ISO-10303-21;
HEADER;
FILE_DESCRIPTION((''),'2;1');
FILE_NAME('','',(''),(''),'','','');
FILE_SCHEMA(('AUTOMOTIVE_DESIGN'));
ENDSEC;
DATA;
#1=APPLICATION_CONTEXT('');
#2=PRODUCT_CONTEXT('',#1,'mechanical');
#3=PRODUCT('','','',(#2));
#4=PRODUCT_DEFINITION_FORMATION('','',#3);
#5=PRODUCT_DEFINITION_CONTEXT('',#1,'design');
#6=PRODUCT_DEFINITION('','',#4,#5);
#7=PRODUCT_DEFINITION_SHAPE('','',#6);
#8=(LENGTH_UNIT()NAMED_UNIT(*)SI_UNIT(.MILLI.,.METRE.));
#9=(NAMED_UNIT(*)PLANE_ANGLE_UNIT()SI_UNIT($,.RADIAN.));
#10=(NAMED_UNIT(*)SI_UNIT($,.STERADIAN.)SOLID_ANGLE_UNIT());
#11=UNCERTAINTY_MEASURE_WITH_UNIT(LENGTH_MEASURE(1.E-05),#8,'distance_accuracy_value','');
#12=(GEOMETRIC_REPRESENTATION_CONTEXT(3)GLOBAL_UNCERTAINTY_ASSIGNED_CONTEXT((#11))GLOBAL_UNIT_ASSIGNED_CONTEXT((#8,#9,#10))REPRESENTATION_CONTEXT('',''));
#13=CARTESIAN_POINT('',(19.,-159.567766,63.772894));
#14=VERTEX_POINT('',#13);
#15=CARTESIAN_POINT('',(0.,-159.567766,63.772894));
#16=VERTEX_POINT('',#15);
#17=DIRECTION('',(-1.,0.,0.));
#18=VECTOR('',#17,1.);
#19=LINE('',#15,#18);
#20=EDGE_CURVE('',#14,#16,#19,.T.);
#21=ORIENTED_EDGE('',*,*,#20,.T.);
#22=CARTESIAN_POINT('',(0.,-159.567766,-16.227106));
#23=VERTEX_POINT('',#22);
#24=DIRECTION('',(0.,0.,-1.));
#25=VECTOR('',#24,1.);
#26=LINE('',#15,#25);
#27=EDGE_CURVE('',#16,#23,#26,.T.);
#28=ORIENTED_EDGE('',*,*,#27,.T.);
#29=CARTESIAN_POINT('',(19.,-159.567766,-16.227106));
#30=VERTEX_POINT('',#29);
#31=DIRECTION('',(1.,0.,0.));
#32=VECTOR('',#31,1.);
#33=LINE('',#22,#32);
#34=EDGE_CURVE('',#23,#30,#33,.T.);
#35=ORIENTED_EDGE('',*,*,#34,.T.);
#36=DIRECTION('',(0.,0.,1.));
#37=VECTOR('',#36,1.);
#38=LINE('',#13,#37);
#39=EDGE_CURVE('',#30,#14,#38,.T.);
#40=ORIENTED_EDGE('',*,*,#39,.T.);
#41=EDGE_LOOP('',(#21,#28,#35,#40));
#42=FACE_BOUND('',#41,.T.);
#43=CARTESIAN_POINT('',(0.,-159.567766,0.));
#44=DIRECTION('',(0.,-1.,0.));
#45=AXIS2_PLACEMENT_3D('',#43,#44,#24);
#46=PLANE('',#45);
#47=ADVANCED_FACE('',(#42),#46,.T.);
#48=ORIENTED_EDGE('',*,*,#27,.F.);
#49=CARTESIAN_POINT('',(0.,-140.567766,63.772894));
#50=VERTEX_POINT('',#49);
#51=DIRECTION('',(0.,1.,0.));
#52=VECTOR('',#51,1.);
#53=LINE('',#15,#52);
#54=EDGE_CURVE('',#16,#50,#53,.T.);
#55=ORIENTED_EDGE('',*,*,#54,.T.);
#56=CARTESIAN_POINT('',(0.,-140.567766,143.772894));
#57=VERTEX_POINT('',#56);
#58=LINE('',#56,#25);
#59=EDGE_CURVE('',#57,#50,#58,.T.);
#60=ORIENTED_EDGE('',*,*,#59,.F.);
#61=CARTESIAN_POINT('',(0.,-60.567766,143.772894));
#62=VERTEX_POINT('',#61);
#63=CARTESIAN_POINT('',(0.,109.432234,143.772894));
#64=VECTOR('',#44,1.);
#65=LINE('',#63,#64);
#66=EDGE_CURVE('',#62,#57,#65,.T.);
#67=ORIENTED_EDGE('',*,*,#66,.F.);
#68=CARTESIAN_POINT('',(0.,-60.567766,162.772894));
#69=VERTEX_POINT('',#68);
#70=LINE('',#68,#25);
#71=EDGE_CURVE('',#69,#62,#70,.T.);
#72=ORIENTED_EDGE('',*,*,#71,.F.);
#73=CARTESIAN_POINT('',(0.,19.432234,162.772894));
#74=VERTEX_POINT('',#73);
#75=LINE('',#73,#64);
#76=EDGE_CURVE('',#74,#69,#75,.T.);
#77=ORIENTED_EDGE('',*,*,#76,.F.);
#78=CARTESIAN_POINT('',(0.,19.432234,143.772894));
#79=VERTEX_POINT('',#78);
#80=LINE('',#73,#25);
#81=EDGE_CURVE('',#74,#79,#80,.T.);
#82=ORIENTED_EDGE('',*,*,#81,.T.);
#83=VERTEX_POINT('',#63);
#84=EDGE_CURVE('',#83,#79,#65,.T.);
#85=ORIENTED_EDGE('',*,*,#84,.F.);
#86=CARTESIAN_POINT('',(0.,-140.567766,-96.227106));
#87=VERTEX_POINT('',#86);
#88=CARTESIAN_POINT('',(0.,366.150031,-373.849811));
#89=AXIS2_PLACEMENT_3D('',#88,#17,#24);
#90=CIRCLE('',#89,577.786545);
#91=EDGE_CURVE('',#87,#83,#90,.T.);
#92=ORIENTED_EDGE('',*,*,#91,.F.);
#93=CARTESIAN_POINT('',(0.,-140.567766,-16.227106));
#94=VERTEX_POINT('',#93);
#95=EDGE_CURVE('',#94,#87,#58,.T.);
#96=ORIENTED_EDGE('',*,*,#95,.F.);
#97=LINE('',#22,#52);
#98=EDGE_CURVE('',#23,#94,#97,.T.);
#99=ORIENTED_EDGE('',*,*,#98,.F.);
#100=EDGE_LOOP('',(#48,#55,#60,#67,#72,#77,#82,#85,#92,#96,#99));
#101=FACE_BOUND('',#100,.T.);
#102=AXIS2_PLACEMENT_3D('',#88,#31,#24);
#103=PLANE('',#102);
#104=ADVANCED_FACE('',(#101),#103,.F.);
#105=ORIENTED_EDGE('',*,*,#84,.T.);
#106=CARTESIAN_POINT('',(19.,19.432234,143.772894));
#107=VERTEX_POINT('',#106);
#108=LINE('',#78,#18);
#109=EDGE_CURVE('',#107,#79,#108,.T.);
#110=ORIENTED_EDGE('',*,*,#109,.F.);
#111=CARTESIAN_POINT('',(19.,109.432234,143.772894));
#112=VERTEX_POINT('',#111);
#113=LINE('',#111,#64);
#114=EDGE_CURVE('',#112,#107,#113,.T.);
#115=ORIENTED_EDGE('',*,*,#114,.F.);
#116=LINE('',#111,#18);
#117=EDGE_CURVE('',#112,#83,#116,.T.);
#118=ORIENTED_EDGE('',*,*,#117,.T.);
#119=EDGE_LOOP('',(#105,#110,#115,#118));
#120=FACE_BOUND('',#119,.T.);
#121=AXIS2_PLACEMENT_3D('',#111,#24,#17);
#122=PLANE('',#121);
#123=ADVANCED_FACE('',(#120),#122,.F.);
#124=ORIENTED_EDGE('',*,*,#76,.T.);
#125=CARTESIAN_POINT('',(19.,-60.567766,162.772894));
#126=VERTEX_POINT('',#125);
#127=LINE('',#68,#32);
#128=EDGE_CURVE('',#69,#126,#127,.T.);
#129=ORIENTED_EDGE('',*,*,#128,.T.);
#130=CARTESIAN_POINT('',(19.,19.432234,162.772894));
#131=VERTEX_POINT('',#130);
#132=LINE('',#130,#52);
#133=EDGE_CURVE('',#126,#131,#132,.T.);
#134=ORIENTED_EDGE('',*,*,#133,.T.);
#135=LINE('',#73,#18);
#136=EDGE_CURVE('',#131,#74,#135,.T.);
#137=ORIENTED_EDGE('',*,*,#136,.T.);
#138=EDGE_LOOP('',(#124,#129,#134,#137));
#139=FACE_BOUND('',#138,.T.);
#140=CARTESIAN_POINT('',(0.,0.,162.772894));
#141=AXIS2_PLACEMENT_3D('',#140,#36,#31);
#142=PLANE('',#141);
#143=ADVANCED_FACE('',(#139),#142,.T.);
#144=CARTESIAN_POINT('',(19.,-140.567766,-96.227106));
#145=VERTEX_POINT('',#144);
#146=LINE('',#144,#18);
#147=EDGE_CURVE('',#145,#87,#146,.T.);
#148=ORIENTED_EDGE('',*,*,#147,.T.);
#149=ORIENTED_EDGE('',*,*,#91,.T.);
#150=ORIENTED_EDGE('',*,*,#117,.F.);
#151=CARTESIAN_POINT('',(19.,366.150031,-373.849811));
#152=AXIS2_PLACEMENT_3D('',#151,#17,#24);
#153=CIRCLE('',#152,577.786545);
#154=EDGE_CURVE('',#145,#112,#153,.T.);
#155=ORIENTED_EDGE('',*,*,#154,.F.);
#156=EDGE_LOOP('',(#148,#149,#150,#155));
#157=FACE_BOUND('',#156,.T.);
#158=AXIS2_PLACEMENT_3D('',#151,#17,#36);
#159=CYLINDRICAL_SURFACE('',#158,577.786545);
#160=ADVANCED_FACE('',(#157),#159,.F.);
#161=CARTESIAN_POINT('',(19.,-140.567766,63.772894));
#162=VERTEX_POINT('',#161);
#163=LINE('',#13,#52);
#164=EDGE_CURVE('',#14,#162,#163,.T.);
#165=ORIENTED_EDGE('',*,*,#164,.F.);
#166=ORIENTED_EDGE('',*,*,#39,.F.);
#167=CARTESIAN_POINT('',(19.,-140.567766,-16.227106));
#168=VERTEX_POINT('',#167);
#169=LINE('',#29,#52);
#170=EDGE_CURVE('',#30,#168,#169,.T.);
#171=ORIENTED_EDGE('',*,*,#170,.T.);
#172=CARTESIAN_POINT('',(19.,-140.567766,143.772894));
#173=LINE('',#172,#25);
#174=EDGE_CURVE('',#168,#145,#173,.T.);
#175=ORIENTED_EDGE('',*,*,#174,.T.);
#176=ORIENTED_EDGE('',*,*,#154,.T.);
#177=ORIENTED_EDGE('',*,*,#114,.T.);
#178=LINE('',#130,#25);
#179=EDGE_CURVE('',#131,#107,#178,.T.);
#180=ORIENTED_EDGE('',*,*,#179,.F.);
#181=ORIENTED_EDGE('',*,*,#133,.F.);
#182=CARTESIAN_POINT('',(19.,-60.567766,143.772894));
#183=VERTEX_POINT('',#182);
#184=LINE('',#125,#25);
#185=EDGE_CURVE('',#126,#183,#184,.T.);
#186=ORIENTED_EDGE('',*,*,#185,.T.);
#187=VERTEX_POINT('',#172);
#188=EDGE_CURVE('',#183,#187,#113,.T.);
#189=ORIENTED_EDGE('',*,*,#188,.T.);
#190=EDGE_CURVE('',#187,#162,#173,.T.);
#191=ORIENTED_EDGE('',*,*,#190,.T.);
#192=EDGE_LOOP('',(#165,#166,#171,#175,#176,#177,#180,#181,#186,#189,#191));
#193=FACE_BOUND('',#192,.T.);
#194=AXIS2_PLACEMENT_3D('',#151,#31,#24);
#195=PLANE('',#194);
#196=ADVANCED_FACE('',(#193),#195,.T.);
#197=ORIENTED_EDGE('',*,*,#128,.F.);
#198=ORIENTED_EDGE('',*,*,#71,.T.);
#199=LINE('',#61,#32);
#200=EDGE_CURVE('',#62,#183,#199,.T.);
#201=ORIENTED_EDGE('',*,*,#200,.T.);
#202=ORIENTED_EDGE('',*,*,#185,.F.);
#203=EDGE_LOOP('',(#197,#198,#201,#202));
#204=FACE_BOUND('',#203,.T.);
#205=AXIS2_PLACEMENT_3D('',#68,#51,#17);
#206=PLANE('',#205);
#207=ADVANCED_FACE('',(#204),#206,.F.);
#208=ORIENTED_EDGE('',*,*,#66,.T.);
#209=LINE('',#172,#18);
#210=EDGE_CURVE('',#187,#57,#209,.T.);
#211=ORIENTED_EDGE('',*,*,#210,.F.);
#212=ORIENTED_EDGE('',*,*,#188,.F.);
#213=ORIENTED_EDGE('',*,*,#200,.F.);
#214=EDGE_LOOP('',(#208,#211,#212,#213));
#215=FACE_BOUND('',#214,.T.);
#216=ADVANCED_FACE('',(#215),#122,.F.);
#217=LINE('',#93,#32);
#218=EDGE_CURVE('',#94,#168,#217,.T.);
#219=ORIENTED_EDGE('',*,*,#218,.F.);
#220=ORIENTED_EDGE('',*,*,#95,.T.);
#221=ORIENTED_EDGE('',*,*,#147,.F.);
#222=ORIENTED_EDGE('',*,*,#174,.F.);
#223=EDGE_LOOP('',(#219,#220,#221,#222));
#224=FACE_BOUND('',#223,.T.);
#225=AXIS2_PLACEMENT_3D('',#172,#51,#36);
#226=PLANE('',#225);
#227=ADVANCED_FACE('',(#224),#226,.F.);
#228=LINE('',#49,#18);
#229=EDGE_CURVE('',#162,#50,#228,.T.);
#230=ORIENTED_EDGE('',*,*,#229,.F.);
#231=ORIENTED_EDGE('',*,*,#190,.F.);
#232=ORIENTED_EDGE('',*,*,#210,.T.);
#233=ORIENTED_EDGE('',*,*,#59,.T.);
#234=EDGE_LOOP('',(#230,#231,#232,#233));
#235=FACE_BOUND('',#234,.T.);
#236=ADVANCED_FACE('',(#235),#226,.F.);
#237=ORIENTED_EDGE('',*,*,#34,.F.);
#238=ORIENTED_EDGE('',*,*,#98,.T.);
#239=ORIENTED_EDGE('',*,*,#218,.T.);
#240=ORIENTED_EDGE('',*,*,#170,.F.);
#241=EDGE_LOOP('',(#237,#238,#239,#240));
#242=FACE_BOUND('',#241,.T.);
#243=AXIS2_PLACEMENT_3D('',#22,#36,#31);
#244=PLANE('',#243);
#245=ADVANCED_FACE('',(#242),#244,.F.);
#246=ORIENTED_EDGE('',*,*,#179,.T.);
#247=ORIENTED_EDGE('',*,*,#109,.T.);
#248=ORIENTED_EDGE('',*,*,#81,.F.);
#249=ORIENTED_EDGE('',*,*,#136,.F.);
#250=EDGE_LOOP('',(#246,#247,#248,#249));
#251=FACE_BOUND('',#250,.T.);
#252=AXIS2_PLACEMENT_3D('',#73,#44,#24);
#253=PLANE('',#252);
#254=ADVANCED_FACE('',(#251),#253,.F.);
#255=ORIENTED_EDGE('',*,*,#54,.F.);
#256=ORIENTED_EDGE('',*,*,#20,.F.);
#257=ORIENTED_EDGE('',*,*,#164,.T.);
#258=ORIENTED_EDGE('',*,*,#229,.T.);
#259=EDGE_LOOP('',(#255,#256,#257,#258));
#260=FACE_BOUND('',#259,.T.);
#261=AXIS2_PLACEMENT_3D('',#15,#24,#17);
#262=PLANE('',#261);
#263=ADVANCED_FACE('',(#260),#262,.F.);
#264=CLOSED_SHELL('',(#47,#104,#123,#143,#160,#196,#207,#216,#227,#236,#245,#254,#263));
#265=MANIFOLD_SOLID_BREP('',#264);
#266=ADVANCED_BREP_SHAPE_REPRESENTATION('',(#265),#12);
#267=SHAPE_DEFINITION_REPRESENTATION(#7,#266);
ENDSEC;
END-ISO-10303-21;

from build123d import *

# Parameters (mm, degrees)
BOSS_EXTRUDE1_DEPTH = 19
SKETCH2_W           = 19
SKETCH2_H           = 80
BOSS_EXTRUDE2_DEPTH = 19
SKETCH3_W           = 19
SKETCH3_H           = 80
BOSS_EXTRUDE3_DEPTH = 19


with BuildPart() as part:
    # Sketch1 → Boss-Extrude1 (new body)
    with BuildSketch(Plane(origin=(0, 0, 0), x_dir=(0, 0, -1), z_dir=(1, 0, 0))):
        with BuildLine():
            Line((-143.772893773, 109.432234432), (-143.772893773, -140.567765568))
            Line((-143.772893773, -140.567765568), (96.227106227, -140.567765568))
            ThreePointArc((96.227106227, -140.567765568), (-42.958076814, -33.985541287), (-143.772893773, 109.432234432))
        make_face()
    extrude(amount=BOSS_EXTRUDE1_DEPTH)

    # Sketch2 → Boss-Extrude2 (add)
    with BuildSketch(Plane.XZ.offset(140.567765568)):
        with Locations((9.5, 23.772893773)):
            Rectangle(SKETCH2_W, SKETCH2_H)
    extrude(amount=BOSS_EXTRUDE2_DEPTH)

    # Sketch3 → Boss-Extrude3 (add)
    with BuildSketch(Plane.XY.offset(143.772893773)):
        with Locations((9.5, -20.567765568)):
            Rectangle(SKETCH3_W, SKETCH3_H)
    extrude(amount=BOSS_EXTRUDE3_DEPTH)


solid = part.part
